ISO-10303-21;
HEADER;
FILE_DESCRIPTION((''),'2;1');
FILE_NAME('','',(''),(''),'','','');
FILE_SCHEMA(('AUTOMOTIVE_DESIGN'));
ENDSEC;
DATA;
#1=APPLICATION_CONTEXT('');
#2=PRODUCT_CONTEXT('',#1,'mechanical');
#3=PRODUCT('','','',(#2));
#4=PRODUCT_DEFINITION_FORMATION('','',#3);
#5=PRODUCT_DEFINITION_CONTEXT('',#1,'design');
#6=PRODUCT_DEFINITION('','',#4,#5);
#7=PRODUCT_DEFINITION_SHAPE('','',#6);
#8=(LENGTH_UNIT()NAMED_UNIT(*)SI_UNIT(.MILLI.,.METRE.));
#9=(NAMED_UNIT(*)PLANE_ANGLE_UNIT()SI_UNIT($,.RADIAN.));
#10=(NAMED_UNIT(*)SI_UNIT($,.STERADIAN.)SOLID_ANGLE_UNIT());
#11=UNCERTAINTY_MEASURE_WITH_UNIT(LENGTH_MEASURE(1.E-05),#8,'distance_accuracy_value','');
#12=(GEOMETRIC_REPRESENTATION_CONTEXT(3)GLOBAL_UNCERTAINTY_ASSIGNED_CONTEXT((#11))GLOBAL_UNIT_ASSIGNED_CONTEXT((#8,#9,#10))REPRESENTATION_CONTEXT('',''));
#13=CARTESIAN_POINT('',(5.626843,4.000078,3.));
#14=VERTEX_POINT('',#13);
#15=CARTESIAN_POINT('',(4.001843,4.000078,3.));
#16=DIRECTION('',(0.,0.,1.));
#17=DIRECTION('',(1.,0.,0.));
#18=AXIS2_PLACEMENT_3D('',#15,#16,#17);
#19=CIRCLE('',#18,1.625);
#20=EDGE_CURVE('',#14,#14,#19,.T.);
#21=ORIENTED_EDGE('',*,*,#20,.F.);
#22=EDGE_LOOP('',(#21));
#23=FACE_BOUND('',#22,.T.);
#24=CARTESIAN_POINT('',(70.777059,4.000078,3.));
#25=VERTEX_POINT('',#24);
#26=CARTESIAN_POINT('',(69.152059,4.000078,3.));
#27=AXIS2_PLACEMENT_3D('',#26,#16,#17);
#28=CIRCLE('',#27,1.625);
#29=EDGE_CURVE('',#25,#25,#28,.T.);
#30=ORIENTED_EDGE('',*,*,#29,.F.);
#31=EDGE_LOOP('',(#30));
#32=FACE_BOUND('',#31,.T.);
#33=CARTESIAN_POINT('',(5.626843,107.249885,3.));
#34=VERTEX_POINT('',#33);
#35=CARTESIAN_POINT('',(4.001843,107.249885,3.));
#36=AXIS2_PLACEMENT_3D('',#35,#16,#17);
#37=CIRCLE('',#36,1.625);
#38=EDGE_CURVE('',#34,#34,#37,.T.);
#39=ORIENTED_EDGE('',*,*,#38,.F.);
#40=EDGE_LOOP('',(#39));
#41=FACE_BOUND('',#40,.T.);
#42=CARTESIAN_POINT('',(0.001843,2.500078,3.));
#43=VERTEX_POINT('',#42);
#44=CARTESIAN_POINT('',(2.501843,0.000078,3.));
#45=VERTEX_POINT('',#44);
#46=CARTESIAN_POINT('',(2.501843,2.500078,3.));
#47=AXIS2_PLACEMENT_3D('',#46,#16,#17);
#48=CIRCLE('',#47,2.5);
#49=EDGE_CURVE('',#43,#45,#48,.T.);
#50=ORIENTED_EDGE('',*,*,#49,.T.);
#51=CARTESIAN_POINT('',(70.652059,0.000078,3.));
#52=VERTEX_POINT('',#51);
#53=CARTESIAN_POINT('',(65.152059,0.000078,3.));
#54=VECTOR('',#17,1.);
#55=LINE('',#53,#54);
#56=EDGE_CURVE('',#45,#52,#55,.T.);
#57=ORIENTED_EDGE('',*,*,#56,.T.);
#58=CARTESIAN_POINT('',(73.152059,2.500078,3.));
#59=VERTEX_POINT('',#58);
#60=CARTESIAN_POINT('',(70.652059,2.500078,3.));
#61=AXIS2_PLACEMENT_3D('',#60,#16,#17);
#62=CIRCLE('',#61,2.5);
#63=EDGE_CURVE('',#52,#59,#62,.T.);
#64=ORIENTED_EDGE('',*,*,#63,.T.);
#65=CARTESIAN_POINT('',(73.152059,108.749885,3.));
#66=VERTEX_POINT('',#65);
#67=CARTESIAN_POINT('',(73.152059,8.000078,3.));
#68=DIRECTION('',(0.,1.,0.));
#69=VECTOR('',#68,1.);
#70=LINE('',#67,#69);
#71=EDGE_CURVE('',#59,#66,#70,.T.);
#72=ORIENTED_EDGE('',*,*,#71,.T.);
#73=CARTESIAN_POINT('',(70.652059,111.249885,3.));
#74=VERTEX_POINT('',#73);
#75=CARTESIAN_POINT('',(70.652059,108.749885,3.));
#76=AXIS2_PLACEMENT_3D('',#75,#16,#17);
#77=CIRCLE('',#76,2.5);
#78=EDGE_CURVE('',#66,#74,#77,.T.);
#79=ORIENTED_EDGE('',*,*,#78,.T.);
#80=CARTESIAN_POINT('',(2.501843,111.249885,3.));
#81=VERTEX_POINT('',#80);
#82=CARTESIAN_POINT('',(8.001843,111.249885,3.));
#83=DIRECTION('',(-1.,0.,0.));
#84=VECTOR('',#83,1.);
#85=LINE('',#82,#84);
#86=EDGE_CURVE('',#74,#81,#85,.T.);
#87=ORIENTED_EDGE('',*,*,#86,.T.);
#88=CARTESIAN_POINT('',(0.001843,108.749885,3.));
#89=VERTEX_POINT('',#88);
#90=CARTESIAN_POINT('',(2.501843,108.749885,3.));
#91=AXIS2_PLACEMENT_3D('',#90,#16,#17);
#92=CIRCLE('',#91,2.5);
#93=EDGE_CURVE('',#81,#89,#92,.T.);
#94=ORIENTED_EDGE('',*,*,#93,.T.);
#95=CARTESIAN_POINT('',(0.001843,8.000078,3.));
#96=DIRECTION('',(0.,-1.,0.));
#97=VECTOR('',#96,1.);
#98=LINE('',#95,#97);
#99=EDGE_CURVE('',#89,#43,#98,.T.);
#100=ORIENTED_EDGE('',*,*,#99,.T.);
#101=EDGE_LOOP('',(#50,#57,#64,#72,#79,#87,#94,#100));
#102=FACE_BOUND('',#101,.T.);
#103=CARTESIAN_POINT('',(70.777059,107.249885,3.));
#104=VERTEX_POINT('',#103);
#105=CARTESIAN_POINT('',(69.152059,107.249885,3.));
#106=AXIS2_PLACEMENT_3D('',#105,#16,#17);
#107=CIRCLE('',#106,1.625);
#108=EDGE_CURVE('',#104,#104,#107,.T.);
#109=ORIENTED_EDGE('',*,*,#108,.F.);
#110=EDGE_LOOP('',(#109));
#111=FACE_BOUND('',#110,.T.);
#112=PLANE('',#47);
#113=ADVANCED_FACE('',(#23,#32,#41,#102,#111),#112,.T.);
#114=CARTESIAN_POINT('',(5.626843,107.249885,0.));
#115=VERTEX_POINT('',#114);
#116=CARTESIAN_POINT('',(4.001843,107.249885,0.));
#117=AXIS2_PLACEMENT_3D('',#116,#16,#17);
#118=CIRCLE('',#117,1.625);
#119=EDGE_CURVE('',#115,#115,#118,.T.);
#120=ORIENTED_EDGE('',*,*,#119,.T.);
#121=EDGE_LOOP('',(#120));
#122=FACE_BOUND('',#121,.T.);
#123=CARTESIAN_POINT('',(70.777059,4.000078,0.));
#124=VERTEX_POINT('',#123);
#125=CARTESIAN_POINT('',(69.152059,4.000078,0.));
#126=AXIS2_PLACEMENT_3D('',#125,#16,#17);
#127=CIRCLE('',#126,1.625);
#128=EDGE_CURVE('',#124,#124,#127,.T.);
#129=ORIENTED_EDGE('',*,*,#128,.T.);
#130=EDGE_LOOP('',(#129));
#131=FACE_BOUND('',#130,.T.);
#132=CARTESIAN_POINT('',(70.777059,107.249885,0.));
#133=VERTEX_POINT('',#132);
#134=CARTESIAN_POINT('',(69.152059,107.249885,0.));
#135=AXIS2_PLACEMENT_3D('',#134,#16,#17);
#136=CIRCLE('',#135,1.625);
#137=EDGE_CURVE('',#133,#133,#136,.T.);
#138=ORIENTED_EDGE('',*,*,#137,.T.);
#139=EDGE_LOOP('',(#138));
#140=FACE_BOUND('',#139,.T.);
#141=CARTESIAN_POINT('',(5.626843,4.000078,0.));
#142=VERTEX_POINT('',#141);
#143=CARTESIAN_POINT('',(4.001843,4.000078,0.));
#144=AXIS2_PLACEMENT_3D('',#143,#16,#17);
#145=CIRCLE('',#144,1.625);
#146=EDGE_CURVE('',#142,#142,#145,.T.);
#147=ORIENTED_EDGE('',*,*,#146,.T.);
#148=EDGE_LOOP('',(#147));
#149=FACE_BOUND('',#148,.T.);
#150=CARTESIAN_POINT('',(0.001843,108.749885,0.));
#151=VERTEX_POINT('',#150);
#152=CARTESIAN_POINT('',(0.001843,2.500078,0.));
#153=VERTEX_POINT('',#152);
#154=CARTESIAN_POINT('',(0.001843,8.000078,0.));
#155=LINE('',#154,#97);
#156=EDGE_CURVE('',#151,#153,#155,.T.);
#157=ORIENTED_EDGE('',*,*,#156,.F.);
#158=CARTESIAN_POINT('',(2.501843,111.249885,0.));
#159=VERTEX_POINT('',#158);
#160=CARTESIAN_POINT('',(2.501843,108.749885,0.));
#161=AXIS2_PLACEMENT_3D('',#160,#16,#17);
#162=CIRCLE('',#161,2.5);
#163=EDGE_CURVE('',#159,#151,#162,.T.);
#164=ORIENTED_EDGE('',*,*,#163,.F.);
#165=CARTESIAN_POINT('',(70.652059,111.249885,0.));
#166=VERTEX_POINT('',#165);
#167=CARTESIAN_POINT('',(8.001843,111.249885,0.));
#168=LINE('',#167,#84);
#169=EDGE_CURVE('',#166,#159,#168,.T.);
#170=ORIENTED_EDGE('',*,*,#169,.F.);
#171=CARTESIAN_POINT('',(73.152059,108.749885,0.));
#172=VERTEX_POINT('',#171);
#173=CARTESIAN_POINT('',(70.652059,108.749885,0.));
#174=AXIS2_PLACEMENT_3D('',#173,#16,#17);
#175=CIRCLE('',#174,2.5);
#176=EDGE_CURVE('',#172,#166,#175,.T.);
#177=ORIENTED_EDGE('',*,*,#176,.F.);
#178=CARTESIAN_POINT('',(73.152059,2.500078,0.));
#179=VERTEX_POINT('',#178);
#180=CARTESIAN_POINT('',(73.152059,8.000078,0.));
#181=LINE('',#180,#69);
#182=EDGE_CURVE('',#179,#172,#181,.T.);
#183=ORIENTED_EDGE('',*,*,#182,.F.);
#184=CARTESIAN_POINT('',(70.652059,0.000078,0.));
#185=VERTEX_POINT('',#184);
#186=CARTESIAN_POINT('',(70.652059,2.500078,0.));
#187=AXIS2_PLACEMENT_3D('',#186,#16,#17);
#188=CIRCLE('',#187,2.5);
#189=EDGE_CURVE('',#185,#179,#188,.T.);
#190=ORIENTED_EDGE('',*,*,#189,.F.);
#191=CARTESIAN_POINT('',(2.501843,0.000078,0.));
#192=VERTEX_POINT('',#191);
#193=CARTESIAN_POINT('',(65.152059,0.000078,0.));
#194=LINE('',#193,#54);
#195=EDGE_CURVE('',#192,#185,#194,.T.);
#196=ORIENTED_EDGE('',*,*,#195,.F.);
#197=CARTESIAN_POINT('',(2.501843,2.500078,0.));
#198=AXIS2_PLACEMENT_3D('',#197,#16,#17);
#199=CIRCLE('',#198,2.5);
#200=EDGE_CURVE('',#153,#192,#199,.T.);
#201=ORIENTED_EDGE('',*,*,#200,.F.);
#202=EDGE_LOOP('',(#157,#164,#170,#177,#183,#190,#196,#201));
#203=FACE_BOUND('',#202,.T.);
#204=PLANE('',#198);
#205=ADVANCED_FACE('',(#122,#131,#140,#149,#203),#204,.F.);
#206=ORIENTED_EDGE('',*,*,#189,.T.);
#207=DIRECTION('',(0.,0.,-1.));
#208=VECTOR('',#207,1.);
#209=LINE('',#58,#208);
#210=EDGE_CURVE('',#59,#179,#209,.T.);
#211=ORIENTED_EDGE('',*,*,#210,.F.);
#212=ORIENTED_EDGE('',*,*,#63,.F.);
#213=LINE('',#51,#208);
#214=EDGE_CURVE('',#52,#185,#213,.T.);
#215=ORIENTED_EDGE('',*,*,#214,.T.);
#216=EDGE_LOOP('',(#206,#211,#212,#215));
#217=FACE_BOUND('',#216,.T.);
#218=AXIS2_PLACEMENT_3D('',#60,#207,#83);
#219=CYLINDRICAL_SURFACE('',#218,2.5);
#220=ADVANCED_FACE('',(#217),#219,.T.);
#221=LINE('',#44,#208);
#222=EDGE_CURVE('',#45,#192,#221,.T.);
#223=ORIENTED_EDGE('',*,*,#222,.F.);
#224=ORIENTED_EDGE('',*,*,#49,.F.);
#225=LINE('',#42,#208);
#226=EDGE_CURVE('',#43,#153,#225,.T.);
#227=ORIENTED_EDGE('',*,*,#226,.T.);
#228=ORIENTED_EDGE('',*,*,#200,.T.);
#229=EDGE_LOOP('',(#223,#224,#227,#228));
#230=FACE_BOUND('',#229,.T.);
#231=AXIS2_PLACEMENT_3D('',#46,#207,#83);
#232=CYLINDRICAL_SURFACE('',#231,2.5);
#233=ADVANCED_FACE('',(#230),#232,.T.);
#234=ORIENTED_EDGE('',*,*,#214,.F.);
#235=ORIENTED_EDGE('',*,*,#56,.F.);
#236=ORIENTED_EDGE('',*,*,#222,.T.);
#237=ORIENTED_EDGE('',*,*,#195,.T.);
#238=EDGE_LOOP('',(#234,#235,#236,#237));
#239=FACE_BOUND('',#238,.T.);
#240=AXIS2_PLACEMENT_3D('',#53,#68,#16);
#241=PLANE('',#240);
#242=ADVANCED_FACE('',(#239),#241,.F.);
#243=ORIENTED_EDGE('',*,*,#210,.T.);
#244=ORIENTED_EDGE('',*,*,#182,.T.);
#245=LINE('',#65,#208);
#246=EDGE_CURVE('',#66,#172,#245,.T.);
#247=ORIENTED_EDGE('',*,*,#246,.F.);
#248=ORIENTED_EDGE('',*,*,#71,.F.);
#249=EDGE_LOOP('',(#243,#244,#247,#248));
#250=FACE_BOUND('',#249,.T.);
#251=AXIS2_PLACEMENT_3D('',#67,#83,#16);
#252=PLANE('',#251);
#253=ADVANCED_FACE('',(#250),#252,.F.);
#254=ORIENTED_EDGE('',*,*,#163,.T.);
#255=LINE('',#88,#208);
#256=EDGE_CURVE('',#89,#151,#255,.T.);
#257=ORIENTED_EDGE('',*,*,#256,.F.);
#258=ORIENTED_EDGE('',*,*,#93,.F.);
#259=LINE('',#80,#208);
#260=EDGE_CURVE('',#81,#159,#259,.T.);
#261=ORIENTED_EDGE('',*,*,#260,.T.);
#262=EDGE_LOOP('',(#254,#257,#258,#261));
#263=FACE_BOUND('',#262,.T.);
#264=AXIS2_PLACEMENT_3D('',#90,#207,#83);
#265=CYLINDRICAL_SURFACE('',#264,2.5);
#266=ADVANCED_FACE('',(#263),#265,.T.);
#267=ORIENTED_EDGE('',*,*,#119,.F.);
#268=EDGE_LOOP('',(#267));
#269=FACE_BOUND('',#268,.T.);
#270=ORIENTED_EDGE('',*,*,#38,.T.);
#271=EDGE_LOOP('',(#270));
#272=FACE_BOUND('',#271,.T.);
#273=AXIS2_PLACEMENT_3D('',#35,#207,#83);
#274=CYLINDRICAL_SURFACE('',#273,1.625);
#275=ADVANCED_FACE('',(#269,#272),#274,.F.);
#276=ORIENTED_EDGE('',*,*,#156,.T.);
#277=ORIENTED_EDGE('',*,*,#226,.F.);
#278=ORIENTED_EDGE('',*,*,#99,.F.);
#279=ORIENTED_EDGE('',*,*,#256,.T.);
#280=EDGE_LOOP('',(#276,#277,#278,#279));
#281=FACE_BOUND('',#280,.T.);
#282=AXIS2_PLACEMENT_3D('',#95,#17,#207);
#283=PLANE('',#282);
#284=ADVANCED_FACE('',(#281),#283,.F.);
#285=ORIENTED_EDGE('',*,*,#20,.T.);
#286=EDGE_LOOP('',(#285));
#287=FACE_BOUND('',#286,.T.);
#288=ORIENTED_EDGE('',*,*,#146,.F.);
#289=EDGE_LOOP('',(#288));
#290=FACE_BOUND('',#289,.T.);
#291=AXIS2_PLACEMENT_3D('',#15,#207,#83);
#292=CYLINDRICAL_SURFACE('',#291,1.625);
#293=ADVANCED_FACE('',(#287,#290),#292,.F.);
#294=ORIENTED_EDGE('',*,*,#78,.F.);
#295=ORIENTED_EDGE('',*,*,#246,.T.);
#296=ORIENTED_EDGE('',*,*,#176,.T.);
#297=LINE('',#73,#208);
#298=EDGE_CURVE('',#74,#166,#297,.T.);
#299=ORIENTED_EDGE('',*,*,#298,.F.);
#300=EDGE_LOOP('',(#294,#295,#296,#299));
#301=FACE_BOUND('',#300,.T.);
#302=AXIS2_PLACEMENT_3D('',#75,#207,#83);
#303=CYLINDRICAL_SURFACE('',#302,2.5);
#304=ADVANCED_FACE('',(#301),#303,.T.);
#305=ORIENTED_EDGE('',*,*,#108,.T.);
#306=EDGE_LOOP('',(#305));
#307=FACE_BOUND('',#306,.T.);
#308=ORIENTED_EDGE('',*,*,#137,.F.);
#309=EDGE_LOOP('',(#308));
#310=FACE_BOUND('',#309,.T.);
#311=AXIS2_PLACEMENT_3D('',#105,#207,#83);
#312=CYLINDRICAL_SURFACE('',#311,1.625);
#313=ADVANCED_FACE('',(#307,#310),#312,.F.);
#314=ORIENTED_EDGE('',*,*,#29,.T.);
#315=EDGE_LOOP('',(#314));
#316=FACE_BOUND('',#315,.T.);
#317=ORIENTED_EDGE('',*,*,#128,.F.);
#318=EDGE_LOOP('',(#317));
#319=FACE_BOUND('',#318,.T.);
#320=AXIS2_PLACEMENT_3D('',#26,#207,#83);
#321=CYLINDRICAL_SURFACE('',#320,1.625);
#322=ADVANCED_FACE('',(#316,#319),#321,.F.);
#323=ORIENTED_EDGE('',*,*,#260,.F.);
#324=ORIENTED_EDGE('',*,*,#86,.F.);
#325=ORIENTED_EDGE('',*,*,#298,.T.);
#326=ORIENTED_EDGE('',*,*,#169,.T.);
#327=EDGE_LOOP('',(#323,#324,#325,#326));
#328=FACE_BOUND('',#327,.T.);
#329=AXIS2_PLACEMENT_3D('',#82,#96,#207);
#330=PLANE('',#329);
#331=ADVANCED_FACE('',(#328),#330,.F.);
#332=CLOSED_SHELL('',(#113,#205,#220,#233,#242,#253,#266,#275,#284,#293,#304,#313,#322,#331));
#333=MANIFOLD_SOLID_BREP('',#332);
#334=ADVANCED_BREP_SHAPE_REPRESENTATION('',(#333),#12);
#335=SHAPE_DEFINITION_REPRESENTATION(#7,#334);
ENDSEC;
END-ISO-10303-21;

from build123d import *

# Parameters (mm, degrees)
MODEL_R         = 1.625
EXTRUDE_2_DEPTH = 3


with BuildPart() as part:
    # Model → 凸台-拉伸2 (new body)
    with BuildSketch(Plane.XY):
        with BuildLine():
            Line((73.152058773, 8.000078124), (73.152058773, 108.749885124))
            ThreePointArc((73.152058773, 108.749885124), (72.419825726, 110.517652077), (70.652058773, 111.249885124))
            Line((70.652058773, 111.249885124), (8.001843373, 111.249885124))
            Line((8.001843373, 111.249885124), (2.501843373, 111.249885124))
            ThreePointArc((2.501843373, 111.249885124), (0.73407642, 110.517652077), (0.001843373, 108.749885124))
            Line((0.001843373, 108.749885124), (0.001843373, 8.000078124))
            Line((0.001843373, 8.000078124), (0.001843373, 2.500078124))
            ThreePointArc((0.001843373, 2.500078124), (0.73407642, 0.732311171), (2.501843373, 7.8124e-05))
            Line((2.501843373, 7.8124e-05), (65.152058773, 7.8124e-05))
            Line((65.152058773, 7.8124e-05), (70.652058773, 7.8124e-05))
            ThreePointArc((70.652058773, 7.8124e-05), (72.419825726, 0.732311171), (73.152058773, 2.500078124))
            Line((73.152058773, 2.500078124), (73.152058773, 8.000078124))
        make_face()
        with Locations((69.152058773, 107.249885124)):
            Circle(MODEL_R, mode=Mode.SUBTRACT)
        with Locations((4.001843373, 107.249885124)):
            Circle(MODEL_R, mode=Mode.SUBTRACT)
        with Locations((4.001843373, 4.000078124)):
            Circle(MODEL_R, mode=Mode.SUBTRACT)
        with Locations((69.152058773, 4.000078124)):
            Circle(MODEL_R, mode=Mode.SUBTRACT)
    extrude(amount=EXTRUDE_2_DEPTH)


solid = part.part
